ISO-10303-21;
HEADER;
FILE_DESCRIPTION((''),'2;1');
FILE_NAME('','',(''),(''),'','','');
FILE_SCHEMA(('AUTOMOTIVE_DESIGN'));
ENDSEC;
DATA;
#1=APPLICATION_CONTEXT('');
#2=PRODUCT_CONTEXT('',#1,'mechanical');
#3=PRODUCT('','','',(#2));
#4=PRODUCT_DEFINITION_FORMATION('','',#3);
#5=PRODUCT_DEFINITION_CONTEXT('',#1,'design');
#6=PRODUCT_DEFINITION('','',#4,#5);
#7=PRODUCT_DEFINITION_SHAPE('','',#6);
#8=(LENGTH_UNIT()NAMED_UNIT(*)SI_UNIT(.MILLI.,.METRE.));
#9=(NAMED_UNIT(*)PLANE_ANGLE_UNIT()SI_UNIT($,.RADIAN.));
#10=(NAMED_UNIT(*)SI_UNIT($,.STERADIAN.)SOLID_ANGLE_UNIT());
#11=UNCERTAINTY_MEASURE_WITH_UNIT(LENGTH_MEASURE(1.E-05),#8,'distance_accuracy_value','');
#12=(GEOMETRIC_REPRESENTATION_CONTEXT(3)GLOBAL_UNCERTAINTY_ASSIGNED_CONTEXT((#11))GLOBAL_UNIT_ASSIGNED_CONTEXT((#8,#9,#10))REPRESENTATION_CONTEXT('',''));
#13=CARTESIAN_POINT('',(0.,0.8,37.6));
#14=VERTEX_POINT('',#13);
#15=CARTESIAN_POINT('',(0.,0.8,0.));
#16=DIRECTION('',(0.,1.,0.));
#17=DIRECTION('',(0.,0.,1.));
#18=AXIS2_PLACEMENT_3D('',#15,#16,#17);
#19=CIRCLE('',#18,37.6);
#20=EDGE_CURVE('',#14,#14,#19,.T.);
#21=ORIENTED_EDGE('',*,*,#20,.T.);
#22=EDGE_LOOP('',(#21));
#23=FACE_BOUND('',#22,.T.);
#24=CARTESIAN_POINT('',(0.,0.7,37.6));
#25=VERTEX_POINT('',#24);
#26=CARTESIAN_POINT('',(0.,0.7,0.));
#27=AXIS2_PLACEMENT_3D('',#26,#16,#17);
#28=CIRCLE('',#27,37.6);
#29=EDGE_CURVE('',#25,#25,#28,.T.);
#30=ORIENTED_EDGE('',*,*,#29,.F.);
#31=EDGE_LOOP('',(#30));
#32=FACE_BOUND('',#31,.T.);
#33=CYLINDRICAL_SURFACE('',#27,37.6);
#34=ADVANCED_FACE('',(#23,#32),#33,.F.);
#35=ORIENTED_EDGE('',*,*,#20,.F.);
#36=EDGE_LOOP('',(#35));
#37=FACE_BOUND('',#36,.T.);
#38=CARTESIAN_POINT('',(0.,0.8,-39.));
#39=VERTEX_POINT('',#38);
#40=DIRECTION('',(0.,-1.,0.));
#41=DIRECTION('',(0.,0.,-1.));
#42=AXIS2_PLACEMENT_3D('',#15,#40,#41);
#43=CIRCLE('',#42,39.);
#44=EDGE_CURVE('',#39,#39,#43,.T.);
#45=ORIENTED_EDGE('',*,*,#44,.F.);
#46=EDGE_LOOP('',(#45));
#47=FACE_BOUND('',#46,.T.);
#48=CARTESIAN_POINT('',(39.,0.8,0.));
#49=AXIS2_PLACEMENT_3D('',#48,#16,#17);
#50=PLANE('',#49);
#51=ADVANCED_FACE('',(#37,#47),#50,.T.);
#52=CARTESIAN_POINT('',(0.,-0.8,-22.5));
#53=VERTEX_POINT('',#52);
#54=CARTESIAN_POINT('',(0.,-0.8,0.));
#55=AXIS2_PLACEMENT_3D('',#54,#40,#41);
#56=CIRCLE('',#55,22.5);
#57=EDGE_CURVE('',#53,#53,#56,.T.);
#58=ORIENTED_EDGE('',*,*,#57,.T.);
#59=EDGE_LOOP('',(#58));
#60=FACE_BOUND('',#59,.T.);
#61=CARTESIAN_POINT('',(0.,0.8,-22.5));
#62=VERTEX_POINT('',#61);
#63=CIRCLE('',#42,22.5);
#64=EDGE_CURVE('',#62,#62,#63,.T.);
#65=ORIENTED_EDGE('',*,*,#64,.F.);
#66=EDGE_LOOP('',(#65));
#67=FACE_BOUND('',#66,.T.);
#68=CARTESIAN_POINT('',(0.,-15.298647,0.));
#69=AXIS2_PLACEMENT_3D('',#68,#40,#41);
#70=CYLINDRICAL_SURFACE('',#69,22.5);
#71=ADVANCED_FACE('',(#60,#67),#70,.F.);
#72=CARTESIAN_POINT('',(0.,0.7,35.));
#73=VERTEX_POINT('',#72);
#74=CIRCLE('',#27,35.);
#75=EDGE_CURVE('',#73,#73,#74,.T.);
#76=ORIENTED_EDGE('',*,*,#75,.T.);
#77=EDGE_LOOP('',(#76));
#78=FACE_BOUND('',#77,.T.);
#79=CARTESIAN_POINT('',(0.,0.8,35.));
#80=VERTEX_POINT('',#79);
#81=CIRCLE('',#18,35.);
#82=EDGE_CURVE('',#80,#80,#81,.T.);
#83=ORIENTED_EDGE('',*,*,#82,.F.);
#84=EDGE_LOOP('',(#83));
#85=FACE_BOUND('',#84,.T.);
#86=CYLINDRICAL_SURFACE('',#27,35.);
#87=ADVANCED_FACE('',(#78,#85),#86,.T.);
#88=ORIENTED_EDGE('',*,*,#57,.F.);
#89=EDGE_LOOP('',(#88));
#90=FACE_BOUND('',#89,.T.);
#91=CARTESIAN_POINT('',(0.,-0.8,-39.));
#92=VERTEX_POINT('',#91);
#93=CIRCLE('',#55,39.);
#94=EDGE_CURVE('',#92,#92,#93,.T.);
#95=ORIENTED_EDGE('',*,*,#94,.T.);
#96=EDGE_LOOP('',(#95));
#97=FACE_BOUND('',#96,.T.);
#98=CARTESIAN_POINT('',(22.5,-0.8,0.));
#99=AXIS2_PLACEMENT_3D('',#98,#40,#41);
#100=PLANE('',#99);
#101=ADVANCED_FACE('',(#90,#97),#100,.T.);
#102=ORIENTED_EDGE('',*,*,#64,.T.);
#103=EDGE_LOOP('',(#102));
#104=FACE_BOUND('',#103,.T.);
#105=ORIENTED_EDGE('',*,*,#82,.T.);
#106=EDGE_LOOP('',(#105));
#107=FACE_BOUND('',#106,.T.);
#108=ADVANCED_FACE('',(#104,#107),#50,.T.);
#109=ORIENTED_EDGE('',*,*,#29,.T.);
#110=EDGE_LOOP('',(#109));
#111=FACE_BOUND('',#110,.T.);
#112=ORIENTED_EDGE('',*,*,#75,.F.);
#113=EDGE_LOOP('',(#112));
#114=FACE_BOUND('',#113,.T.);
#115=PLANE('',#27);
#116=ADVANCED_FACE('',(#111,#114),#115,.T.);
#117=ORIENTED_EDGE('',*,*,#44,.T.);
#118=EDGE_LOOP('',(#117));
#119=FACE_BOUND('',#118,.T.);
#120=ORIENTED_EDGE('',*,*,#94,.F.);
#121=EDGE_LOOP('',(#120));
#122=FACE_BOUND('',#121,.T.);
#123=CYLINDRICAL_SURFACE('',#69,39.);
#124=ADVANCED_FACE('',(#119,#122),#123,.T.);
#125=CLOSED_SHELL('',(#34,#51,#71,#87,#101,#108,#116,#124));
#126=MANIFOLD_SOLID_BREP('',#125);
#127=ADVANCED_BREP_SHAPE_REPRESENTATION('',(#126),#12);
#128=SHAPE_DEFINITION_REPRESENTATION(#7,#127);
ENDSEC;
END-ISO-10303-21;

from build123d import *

# Parameters (mm, degrees)
ESQUISSE1_W             = 16.5
ESQUISSE1_H             = 1.6
ESQUISSE2_R             = 37.6
ESQUISSE2_R_2           = 35
ENL_V_MAT_EXTRU_1_DEPTH = 0.1


with BuildPart() as part:
    # Esquisse1 → Révolution1 (revolve)
    with BuildSketch(Plane.XY, mode=Mode.PRIVATE) as r_volution1_sk:
        with Locations((30.75, 0)):
            Rectangle(ESQUISSE1_W, ESQUISSE1_H)
    revolve(r_volution1_sk.sketch.rotate(Axis((0, -15.298646519, 0), (0, 1, 0)), 90), axis=Axis((0, -15.298646519, 0), (0, 1, 0)))

    # Esquisse2 → Enlèv. mat.-Extru.1 (cut)
    with BuildSketch(Plane(origin=(0, 0.8, 0), x_dir=(1, 0, 0), z_dir=(0, 1, 0))):
        with Locations(Location((0, 0, 0), (0, 0, 270))):
            Circle(ESQUISSE2_R)
        with Locations(Location((0, 0, 0), (0, 0, 270))):
            Circle(ESQUISSE2_R_2, mode=Mode.SUBTRACT)
    extrude(amount=-ENL_V_MAT_EXTRU_1_DEPTH, mode=Mode.SUBTRACT)


solid = part.part
